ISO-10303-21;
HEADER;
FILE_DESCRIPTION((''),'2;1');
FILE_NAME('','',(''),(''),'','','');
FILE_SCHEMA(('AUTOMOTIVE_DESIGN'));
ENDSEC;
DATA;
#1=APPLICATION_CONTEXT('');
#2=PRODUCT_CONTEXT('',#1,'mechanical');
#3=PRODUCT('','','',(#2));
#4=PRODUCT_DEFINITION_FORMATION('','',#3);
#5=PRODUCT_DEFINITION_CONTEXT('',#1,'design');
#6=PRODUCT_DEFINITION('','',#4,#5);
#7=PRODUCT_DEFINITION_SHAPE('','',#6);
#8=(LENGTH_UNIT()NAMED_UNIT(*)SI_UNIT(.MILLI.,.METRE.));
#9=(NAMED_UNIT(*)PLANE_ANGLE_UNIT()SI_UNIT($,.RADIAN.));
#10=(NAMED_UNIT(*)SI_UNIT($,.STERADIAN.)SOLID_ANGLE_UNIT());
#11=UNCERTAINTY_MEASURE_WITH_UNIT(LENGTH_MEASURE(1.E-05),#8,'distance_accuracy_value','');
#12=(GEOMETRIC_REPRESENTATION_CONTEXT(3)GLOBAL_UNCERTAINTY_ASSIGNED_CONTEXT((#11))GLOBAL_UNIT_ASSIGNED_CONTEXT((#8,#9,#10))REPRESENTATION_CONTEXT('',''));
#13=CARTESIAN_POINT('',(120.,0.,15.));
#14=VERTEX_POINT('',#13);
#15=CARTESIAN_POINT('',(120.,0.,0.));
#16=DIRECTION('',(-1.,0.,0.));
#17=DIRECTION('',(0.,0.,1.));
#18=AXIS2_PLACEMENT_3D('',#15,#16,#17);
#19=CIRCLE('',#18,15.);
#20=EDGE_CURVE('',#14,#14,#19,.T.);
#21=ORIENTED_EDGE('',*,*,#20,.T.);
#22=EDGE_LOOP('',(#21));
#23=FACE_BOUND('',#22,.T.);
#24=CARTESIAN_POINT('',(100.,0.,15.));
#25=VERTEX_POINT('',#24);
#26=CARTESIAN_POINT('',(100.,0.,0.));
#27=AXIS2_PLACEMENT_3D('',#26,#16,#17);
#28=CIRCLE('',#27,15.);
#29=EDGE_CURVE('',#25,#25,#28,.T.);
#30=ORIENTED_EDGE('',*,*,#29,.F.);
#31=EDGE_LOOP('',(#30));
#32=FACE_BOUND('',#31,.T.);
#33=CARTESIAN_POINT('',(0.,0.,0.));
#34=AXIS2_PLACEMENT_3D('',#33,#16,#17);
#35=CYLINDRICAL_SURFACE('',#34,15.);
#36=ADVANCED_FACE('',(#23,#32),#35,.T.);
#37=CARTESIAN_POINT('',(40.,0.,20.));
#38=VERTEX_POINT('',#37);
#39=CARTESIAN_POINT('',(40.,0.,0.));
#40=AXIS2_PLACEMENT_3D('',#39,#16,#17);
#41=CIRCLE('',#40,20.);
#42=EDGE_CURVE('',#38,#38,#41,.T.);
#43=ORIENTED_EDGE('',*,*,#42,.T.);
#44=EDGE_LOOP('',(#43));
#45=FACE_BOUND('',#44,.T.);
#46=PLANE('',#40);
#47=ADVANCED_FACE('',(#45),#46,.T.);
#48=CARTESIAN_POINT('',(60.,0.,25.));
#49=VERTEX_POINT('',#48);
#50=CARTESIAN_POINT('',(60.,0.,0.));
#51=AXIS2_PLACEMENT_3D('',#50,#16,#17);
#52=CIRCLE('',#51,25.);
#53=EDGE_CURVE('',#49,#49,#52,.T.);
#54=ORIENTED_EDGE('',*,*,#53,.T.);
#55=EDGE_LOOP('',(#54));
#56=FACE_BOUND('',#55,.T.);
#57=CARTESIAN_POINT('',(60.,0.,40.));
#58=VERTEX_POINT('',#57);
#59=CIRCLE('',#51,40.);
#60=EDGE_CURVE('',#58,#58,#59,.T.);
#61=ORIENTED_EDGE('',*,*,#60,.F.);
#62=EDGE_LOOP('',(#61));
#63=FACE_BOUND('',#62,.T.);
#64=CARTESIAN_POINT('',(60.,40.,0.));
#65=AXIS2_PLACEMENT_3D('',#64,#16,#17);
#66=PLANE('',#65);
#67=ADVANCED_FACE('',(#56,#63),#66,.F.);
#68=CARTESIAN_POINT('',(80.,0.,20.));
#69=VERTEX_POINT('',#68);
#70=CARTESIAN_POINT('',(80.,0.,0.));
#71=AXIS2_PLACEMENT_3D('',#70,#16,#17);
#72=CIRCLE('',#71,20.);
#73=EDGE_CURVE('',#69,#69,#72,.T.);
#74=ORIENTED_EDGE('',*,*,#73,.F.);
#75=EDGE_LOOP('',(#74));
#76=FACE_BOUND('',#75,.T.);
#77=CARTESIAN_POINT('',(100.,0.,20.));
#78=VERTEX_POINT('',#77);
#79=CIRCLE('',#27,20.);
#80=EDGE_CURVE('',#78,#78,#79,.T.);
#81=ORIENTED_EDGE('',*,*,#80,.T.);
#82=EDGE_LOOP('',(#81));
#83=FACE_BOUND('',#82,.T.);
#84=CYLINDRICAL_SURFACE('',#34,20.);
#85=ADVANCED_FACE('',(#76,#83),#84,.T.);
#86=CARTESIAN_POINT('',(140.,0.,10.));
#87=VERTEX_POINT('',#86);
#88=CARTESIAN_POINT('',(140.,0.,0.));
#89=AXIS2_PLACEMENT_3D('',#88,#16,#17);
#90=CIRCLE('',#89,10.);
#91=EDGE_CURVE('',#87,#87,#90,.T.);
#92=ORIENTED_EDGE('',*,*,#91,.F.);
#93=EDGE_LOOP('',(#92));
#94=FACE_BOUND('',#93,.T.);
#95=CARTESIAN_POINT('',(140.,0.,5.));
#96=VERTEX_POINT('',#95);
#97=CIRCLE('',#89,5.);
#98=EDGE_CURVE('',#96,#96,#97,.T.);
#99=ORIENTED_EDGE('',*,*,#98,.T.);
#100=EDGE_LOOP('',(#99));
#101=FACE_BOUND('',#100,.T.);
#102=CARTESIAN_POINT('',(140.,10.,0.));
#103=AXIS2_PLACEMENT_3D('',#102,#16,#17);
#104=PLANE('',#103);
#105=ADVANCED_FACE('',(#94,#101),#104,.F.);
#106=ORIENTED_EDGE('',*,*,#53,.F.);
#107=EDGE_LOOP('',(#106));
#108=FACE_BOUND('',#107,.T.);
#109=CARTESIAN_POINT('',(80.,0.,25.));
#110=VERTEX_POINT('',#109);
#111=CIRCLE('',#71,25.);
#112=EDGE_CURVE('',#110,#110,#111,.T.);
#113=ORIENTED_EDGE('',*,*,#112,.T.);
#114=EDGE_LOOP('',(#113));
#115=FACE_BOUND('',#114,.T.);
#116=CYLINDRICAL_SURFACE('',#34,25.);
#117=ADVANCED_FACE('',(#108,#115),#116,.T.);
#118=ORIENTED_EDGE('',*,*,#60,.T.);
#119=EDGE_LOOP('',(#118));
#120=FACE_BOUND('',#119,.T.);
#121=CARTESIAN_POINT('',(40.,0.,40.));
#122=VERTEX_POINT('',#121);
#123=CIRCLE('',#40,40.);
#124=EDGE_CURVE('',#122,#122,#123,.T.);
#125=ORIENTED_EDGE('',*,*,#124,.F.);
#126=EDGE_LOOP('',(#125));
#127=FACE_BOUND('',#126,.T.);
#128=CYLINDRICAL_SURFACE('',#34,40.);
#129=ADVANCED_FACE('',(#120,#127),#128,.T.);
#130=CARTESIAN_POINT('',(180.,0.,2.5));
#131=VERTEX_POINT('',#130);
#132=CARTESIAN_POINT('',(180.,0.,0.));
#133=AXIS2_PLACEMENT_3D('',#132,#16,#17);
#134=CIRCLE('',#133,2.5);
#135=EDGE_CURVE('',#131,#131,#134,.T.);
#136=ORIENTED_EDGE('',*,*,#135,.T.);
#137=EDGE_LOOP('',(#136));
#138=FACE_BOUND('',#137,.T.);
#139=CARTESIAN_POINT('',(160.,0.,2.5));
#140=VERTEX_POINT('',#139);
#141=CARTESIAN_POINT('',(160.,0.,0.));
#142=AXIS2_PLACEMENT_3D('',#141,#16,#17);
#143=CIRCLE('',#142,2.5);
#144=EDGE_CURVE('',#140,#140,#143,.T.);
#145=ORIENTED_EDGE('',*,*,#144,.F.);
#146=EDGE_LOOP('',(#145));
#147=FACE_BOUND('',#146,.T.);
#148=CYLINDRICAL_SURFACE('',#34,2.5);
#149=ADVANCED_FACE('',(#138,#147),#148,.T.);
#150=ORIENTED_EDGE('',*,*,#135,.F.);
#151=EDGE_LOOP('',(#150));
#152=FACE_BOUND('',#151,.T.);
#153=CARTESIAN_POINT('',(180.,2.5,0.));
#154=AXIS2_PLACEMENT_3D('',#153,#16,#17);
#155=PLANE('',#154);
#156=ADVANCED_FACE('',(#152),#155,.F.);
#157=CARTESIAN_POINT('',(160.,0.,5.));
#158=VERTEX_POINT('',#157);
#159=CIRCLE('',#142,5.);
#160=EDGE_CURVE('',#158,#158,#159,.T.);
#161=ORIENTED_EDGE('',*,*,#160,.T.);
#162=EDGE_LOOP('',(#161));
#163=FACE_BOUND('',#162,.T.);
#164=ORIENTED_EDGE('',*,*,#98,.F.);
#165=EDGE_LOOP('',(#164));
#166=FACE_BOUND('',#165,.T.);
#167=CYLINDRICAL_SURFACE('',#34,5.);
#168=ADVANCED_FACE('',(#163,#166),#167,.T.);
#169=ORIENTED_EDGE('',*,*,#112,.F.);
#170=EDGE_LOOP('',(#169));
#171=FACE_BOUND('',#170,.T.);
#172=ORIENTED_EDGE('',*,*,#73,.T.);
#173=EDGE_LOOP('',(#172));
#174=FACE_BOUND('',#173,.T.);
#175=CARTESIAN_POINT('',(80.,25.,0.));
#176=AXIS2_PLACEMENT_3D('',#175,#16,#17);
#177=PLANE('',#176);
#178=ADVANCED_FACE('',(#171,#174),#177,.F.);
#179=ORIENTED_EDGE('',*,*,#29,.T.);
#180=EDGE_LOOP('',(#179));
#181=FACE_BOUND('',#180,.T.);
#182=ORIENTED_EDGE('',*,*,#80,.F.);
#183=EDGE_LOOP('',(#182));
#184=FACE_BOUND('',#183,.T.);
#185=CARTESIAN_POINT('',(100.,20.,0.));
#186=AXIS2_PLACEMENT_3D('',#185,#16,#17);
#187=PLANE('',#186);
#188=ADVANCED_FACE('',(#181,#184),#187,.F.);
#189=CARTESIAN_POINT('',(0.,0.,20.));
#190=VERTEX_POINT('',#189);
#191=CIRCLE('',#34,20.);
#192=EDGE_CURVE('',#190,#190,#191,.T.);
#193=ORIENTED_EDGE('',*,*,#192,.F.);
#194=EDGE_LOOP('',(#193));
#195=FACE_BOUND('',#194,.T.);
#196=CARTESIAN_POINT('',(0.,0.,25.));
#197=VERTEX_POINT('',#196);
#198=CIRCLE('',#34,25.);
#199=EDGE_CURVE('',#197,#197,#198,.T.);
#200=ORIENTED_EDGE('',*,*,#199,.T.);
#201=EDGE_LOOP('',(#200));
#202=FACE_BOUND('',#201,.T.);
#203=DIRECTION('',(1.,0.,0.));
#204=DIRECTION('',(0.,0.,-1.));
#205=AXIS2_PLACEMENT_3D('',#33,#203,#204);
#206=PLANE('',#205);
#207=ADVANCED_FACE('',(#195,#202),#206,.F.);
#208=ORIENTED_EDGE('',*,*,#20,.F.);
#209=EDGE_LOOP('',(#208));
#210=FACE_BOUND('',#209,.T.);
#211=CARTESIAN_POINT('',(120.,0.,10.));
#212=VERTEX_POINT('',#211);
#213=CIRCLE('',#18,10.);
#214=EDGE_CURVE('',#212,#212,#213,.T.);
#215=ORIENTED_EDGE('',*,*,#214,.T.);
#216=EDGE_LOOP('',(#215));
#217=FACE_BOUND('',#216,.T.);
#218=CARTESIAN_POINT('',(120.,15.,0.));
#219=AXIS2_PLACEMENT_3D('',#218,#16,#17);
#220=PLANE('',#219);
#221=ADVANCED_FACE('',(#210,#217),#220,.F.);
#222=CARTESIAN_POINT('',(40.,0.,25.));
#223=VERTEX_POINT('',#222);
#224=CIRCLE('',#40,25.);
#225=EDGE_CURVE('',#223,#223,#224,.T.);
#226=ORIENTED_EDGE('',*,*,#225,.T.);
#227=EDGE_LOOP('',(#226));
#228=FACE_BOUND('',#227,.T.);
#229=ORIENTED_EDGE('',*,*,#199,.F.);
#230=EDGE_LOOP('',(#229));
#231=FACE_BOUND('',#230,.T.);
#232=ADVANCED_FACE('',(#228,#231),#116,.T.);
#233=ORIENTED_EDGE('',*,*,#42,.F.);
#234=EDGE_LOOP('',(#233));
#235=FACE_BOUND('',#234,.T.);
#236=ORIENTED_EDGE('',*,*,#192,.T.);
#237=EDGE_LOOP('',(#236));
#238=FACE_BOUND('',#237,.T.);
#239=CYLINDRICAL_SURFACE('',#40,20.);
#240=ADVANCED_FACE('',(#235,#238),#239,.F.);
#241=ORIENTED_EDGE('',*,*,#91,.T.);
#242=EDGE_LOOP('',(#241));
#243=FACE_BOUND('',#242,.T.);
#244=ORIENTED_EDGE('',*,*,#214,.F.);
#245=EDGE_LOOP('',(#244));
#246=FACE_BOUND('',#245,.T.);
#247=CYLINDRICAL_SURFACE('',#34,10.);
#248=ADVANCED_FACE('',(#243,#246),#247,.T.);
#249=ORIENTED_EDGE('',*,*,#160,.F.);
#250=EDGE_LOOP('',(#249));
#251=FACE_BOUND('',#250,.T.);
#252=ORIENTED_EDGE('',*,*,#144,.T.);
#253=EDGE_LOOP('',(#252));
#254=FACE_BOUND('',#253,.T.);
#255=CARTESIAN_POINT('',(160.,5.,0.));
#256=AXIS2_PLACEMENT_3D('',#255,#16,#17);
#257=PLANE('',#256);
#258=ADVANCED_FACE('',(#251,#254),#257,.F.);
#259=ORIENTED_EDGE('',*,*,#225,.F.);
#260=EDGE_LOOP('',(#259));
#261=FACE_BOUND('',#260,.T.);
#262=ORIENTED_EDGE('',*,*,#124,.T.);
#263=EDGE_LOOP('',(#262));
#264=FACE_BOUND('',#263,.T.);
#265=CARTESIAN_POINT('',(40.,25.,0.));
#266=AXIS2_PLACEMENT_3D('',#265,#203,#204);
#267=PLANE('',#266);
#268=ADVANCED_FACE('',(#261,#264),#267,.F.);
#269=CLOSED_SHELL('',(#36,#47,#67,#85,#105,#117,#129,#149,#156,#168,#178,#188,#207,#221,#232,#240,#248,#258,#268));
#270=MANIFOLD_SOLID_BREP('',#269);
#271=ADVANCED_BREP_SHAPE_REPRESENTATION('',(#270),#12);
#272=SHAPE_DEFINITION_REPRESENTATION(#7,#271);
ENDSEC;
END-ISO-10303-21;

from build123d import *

# Parameters (mm, degrees)
SKETCH2_R          = 20
CUT_EXTRUDE1_DEPTH = 40


with BuildPart() as part:
    # Sketch1 → Revolve1 (revolve)
    with BuildSketch(Plane.XY, mode=Mode.PRIVATE) as revolve1_sk:
        Polygon((0, 0), (0, 25), (40, 25), (40, 40), (60, 40), (60, 25), (80, 25), (80, 20), (100, 20), (100, 15), (120, 15), (120, 10), (140, 10), (140, 5), (160, 5), (160, 2.5), (180, 2.5), (180, 0), align=None)
    revolve(revolve1_sk.sketch.rotate(Axis((0, 0, 0), (1, 0, 0)), 90), axis=Axis((0, 0, 0), (1, 0, 0)))  # turned: the seam where the file's is

    # Sketch2 → Cut-Extrude1 (cut)
    with BuildSketch(Plane.ZY):
        Circle(SKETCH2_R)
    extrude(amount=-CUT_EXTRUDE1_DEPTH, mode=Mode.SUBTRACT)


solid = part.part
